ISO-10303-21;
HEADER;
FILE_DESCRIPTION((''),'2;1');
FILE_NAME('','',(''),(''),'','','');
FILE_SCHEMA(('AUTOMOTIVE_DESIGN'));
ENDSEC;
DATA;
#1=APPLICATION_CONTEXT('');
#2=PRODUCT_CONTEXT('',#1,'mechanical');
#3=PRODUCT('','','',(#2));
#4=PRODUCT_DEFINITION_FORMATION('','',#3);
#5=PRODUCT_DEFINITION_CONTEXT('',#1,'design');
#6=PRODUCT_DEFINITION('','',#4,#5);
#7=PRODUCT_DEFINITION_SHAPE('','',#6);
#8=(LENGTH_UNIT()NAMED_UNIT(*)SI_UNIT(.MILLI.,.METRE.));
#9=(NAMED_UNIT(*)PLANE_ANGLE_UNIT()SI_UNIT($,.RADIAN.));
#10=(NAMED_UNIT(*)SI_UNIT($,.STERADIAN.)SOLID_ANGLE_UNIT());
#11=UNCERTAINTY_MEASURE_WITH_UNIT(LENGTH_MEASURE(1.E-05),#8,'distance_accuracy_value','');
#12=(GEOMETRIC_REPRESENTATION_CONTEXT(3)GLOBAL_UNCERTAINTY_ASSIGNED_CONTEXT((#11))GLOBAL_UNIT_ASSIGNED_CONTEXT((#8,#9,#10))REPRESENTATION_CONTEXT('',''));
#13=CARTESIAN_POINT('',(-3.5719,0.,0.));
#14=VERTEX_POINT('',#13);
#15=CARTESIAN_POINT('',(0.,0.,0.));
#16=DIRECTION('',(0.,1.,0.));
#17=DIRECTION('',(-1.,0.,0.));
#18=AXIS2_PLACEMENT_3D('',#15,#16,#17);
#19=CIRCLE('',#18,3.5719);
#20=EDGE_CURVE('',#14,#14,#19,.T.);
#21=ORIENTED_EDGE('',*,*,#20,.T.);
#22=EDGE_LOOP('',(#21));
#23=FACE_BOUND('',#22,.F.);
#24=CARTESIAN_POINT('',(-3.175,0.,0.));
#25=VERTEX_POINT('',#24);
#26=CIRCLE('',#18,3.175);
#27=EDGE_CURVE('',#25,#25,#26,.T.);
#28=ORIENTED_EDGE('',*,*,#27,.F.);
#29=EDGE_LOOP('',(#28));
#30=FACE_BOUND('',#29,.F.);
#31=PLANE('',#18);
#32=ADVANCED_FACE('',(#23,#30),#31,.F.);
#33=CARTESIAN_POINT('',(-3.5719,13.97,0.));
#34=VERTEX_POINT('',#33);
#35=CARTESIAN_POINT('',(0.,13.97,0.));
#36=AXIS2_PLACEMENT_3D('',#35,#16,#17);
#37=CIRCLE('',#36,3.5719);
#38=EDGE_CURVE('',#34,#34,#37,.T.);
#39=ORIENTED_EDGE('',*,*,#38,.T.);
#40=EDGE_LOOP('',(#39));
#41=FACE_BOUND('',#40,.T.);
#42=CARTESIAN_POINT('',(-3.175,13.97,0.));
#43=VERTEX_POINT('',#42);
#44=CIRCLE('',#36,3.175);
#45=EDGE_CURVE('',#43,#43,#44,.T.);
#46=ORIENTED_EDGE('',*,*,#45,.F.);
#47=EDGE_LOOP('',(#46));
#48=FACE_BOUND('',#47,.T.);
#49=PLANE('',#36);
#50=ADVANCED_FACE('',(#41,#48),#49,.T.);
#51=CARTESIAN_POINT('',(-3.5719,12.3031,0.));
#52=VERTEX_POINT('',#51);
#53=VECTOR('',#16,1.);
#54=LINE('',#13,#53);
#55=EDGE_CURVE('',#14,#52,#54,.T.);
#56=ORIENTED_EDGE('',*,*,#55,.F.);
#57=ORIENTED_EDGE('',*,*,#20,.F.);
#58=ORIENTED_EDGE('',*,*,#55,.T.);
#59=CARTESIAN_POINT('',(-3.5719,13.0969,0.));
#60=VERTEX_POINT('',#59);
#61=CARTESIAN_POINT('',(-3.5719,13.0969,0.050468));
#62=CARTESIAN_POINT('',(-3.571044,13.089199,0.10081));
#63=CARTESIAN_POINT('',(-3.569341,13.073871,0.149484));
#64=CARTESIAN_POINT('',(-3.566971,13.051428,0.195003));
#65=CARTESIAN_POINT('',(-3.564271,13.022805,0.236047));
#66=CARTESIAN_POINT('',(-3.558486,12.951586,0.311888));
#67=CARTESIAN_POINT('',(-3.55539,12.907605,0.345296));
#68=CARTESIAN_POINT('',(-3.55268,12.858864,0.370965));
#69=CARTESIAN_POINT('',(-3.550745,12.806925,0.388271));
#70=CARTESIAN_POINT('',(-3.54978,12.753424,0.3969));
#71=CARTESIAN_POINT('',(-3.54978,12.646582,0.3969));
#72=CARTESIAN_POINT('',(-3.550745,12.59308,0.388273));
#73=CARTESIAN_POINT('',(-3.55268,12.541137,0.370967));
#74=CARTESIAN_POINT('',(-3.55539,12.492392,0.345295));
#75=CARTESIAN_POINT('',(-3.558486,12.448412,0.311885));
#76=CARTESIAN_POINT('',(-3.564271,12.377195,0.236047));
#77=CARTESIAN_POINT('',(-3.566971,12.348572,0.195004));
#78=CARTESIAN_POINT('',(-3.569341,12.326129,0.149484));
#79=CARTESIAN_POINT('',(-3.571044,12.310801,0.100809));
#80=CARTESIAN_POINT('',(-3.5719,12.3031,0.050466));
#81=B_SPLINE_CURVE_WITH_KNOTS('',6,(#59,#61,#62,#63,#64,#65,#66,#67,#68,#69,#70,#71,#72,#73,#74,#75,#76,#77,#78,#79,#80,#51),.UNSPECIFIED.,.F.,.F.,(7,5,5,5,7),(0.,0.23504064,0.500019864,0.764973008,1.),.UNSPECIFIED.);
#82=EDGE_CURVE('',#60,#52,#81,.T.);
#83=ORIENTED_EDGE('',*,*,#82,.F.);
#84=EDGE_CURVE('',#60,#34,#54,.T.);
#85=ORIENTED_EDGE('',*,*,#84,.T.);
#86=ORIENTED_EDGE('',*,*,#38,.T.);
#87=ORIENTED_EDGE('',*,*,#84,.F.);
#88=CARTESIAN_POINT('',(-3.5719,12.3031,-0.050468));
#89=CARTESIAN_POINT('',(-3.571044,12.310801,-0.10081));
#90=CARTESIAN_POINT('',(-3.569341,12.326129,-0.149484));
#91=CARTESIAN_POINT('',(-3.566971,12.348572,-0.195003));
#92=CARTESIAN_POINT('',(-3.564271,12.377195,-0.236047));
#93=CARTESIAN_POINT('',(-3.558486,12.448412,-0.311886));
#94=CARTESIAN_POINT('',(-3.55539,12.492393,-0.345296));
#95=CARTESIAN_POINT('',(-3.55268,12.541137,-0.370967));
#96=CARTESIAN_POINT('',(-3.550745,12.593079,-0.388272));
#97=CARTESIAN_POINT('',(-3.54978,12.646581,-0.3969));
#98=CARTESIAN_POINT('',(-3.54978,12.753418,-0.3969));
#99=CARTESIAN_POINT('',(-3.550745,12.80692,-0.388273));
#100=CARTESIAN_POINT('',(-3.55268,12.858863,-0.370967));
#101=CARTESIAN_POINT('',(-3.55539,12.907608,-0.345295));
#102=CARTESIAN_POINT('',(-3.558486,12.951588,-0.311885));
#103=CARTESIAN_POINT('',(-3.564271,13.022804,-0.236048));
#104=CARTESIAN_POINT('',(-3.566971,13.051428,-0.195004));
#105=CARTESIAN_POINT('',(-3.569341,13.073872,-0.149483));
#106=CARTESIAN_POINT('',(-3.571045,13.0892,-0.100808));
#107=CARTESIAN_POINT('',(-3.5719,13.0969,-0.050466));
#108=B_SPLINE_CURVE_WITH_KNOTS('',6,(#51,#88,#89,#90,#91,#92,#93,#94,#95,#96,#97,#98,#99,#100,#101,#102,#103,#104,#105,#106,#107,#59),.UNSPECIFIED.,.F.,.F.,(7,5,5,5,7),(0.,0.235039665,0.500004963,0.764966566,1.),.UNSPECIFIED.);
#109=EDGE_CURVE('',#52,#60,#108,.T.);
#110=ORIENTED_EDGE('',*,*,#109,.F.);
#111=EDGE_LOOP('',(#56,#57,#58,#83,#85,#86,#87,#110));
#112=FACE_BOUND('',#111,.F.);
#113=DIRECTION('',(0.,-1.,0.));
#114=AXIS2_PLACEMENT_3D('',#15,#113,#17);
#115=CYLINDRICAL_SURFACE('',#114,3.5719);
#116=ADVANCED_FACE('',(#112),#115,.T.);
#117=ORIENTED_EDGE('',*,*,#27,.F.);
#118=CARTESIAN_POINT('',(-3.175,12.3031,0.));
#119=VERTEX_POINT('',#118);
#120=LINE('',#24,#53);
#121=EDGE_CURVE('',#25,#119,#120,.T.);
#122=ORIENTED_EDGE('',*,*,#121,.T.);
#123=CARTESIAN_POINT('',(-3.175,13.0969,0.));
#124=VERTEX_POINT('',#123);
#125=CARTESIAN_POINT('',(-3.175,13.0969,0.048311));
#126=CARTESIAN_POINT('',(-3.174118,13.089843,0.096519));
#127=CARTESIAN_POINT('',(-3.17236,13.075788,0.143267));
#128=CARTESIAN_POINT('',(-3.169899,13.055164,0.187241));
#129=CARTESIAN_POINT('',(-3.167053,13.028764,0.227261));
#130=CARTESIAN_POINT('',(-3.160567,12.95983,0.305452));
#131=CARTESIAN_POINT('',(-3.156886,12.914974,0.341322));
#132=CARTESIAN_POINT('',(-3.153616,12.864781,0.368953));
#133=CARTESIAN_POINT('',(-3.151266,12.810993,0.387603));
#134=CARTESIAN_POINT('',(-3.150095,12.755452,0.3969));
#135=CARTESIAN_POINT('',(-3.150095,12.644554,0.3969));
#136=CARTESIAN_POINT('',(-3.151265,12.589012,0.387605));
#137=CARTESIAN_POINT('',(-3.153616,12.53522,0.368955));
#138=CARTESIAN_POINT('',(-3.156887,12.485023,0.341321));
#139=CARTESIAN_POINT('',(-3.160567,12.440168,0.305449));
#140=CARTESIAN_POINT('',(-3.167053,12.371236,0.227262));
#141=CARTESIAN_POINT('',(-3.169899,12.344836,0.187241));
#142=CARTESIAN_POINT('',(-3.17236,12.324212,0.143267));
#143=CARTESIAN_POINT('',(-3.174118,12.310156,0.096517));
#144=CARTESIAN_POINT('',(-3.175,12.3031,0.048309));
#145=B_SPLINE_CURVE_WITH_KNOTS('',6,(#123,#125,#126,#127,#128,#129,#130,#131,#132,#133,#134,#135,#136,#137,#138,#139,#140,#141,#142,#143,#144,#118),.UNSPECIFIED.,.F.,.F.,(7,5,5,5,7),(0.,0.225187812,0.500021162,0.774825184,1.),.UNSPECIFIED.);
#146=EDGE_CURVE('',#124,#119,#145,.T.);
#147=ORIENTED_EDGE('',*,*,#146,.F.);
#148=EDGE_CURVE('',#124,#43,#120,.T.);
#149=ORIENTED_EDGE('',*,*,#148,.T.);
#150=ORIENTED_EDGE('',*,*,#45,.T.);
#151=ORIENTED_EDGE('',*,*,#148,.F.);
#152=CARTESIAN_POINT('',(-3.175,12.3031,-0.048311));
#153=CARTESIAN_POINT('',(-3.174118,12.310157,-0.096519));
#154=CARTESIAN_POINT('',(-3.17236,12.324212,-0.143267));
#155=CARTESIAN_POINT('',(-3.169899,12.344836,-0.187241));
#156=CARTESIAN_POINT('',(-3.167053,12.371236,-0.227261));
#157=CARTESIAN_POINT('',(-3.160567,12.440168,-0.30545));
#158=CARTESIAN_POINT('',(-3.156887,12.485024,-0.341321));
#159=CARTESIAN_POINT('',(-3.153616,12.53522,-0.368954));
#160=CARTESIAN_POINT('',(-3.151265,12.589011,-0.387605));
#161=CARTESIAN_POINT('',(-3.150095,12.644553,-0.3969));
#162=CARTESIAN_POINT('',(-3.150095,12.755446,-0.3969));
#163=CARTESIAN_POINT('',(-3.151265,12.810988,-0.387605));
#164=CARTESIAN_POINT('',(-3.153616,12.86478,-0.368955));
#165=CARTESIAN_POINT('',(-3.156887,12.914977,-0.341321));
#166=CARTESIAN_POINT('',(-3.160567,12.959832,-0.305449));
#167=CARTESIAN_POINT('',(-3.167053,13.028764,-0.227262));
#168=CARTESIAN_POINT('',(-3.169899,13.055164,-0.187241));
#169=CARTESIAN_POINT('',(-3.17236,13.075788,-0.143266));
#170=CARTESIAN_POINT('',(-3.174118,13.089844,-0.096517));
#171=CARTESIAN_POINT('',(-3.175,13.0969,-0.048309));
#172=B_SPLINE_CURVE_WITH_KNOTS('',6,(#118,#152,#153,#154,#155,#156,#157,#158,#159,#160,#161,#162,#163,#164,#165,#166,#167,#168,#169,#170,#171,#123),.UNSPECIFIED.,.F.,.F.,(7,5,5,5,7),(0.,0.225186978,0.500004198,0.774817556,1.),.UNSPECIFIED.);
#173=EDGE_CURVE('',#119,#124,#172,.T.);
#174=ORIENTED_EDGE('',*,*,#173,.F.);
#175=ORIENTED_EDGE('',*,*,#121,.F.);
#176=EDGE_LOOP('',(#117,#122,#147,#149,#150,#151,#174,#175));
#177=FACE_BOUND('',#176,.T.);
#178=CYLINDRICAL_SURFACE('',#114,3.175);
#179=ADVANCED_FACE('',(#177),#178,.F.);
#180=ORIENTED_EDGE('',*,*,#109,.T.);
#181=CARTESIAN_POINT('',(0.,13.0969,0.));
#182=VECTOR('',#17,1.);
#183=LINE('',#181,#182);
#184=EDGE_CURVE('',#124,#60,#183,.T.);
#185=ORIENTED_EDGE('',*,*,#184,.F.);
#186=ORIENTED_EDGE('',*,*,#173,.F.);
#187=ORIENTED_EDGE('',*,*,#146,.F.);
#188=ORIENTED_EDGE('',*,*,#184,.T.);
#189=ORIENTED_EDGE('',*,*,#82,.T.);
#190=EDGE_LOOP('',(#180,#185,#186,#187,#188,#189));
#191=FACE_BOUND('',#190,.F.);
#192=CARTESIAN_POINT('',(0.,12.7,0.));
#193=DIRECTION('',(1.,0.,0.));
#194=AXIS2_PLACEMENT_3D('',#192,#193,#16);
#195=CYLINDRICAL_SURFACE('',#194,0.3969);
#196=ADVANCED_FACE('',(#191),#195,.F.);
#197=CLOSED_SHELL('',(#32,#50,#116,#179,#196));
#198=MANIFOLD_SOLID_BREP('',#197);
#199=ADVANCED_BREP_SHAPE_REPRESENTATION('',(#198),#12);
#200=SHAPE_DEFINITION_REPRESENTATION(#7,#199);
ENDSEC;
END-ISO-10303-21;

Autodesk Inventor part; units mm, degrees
ref_plane "YZ Plane" through (0, 0, 0) normal (1, 0, 0) x (0, 1, 0)
ref_plane "XZ Plane" through (0, 0, 0) normal (0, 1, 0) x (-1, 0, 0)
ref_plane "XY Plane" through (0, 0, 0) normal (0, 0, 1) x (1, 0, 0)
sketch "Sketch1" plane through (0, 0, 0) normal (0, 1, 0) x (-1, 0, 0)
  circle A0 centre (0, 0) radius 3.5719
  circle A1 centre (0, 0) radius 3.175
  dimension "d0" = 7.1437
  dimension "d1" = 6.35
extrude "Extrusion1" add sketch "Sketch1" along normal blind 13.97
sketch "Sketch2" plane through (0, 0, 0) normal (1, 0, 0) x (0, 1, 0)
  circle A0 centre (12.7, 0) radius 0.3969
  line L0 (0, -3.5719) -> (0, 3.5719) projected
  line L1 (13.97, -3.5719) -> (13.97, 3.5719) projected
  point P0 (0, 0)
  dimension "d4" = 0.7937
  dimension "d8" = 1.27
extrude "Extrusion2" cut sketch "Sketch2" against normal blind 25.4
properties part number "Cylinder"
